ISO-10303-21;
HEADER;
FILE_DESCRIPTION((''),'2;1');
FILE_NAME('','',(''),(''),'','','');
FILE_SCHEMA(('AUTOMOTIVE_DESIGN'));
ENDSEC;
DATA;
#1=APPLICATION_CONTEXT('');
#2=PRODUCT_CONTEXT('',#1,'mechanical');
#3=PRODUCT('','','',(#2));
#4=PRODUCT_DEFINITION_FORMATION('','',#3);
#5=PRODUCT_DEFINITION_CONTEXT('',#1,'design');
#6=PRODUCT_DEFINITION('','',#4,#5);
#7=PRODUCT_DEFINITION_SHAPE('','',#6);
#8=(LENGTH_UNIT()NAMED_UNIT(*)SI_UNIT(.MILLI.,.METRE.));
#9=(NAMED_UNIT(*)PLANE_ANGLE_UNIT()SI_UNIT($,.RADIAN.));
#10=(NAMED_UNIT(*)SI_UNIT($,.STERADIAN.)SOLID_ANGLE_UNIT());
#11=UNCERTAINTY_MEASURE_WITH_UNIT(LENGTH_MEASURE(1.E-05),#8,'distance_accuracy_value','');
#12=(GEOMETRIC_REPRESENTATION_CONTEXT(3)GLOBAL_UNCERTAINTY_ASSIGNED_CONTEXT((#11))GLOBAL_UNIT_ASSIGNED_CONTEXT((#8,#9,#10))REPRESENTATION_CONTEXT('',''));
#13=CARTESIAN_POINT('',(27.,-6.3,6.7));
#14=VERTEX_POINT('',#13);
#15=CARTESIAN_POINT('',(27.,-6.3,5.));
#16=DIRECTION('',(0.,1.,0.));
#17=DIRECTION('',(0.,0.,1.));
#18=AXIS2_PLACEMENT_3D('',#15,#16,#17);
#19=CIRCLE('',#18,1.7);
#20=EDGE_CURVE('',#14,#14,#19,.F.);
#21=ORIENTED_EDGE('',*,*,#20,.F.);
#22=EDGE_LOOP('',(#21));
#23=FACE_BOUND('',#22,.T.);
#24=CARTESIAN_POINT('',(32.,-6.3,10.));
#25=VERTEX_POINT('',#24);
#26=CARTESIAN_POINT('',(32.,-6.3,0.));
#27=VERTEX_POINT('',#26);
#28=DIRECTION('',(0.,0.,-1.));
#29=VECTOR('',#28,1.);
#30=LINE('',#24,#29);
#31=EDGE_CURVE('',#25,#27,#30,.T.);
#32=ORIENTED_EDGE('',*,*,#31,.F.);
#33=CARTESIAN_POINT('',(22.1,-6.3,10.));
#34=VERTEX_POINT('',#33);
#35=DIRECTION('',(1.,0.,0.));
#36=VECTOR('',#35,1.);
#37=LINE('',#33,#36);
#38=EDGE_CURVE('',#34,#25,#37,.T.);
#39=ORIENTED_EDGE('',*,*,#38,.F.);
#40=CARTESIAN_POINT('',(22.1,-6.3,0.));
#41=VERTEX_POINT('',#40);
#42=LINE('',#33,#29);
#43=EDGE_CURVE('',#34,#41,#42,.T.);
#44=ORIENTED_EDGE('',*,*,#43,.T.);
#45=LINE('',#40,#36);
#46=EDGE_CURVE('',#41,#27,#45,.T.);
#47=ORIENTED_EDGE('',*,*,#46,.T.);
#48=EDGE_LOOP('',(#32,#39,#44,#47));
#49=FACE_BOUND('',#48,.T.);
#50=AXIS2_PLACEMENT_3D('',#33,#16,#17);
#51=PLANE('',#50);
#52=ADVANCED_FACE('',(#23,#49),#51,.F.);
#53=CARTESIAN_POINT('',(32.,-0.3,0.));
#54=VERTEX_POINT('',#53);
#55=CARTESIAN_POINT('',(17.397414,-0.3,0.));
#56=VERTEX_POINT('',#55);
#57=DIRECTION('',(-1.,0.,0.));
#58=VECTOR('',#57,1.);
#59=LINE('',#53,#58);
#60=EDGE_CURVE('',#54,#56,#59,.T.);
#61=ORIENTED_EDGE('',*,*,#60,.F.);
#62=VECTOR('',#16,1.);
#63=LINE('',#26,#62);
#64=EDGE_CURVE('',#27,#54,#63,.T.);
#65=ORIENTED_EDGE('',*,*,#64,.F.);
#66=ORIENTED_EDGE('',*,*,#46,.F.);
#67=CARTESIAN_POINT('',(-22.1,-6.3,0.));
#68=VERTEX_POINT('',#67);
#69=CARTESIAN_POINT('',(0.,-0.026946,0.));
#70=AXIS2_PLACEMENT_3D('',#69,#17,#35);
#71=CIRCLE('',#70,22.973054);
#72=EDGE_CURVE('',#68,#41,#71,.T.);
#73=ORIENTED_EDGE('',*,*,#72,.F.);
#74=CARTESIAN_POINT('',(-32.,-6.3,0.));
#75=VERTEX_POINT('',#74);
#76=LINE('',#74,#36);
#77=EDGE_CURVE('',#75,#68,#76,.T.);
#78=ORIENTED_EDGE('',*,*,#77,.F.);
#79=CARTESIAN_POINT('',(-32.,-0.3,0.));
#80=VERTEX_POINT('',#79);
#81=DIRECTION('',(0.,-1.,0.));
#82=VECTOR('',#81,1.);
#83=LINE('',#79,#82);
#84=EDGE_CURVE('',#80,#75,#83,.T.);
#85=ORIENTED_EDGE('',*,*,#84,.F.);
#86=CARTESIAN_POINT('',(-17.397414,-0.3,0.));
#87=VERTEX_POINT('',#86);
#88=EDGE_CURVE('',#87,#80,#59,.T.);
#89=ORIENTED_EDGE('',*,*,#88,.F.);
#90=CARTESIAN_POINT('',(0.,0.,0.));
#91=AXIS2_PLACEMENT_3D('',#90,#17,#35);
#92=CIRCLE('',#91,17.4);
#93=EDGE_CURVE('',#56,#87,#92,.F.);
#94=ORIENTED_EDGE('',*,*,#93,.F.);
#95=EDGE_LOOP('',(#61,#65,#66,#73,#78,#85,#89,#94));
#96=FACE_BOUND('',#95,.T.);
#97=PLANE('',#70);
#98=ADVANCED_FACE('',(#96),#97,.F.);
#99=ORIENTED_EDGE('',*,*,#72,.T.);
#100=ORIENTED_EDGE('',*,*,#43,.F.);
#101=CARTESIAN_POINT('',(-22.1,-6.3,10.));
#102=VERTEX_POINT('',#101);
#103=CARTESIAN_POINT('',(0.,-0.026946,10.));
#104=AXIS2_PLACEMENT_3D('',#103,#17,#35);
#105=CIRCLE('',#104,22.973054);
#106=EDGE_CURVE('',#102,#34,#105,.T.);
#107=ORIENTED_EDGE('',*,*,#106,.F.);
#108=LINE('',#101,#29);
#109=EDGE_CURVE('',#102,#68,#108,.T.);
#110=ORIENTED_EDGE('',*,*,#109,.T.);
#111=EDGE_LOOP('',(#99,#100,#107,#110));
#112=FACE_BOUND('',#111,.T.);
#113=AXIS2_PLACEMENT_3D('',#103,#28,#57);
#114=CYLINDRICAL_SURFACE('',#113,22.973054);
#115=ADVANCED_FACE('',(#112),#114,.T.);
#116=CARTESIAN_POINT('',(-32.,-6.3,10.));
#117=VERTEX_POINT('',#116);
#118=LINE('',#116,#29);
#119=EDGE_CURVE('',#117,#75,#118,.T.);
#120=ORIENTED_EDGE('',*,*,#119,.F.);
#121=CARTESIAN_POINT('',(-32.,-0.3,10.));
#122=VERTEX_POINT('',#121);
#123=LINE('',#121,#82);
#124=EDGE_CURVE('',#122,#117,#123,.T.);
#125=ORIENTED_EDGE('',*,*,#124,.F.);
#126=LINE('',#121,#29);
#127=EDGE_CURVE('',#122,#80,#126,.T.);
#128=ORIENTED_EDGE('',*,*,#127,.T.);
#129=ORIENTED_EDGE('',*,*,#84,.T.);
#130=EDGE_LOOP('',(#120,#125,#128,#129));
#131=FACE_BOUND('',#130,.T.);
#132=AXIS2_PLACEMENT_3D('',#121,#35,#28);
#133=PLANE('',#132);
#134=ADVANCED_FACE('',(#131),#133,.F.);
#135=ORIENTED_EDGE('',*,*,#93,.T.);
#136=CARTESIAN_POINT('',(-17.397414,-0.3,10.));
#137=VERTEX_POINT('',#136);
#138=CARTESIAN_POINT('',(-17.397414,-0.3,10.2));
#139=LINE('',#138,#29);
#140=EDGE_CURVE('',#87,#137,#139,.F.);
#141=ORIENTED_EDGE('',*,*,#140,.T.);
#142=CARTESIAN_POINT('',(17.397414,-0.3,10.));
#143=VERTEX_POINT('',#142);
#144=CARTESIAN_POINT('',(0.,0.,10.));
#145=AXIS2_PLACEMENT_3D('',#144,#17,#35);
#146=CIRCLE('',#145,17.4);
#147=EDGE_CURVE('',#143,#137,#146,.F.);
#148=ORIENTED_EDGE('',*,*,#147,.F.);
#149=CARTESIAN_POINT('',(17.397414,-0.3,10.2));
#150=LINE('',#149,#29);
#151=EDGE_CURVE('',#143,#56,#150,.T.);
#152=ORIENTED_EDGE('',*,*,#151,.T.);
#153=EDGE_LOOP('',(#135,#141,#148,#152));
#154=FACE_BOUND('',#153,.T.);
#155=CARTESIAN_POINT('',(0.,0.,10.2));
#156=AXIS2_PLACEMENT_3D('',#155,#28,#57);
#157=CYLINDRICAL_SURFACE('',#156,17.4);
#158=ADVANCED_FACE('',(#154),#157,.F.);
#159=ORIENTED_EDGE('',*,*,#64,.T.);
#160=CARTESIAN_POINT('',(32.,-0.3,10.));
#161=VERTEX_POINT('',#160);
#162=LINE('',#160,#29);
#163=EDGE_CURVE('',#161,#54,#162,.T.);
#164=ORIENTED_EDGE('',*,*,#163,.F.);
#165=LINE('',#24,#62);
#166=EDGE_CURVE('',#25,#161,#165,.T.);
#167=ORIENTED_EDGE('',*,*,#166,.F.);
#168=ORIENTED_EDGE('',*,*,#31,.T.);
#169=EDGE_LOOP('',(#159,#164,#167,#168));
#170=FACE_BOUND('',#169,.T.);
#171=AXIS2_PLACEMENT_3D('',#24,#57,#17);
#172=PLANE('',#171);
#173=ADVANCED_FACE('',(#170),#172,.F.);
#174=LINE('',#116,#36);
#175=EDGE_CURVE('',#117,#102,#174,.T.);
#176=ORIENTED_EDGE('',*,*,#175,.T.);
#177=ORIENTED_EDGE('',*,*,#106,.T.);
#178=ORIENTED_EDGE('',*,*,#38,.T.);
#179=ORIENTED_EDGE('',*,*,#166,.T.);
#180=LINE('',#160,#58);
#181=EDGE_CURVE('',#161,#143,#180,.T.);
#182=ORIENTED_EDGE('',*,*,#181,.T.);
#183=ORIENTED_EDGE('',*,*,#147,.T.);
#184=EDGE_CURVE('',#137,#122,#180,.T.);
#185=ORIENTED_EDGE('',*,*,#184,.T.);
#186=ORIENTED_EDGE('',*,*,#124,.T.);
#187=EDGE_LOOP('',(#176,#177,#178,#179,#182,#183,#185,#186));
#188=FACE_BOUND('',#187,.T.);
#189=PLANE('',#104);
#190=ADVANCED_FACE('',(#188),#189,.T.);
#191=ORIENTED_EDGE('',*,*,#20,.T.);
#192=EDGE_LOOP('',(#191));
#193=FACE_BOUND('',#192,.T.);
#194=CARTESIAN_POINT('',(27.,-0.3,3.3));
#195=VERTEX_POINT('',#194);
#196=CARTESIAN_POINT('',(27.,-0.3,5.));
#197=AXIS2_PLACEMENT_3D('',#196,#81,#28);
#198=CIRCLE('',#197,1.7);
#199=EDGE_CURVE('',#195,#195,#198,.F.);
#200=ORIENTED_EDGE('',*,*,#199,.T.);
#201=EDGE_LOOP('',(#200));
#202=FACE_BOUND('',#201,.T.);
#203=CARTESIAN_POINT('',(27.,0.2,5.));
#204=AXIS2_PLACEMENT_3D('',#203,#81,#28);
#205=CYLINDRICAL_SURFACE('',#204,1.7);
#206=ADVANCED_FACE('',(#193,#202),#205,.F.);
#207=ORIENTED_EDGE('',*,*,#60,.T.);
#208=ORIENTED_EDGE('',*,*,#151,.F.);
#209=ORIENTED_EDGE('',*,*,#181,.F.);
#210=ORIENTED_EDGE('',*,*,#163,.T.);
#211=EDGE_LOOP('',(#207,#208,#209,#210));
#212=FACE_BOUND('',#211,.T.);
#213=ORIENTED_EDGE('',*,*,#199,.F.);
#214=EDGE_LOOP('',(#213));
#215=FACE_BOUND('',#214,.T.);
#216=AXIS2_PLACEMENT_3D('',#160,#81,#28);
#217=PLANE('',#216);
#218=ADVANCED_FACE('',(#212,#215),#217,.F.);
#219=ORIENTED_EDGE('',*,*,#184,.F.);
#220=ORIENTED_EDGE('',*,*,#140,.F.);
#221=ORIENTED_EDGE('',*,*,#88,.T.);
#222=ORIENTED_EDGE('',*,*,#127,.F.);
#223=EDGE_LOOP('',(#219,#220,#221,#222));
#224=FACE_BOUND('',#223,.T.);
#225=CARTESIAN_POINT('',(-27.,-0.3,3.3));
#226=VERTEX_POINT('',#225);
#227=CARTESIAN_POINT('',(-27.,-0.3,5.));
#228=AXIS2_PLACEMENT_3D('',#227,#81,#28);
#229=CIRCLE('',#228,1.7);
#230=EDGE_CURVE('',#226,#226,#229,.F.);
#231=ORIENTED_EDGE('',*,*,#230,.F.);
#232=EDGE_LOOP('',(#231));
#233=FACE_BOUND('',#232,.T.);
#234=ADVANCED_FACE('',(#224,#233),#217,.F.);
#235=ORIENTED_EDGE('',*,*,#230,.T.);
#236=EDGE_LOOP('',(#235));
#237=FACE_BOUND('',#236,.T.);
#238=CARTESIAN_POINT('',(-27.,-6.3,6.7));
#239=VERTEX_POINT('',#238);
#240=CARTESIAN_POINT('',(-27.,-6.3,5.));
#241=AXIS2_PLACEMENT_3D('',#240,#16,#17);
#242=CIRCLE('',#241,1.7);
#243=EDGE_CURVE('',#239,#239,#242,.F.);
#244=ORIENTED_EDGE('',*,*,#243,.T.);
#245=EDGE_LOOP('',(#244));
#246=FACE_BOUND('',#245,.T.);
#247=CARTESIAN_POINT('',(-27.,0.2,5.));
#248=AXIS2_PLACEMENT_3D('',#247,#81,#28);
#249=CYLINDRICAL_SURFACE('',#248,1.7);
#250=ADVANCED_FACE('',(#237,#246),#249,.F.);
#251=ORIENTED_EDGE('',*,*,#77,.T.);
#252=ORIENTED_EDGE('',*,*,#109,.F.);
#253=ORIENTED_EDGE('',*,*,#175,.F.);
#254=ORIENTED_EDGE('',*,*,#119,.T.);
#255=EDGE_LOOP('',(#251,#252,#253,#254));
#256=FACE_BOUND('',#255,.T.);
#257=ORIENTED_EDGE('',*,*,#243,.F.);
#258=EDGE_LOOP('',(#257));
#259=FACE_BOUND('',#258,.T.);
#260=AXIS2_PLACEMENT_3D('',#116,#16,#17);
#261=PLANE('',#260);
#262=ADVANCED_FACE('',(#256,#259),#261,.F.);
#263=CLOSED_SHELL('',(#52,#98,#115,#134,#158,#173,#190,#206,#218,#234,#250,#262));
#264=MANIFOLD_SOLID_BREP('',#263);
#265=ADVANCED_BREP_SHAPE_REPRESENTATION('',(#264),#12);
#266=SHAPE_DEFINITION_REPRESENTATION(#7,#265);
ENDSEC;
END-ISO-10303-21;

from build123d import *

# Parameters (mm, degrees)
F_01_REAR_SEMICIRCULAR_CAP_AND_BOLT_EARS_DEPTH = 10
F_02_START                                     = -0.2
S02_MATING_MOTOR_CAN_R                         = 17.4
F_02_MATING_MOTOR_CAN_DEPTH                    = 10.4
F_03_START                                     = -6.5
S03_TWO_M3_CLAMP_SCREWS_R                      = 1.7
F_03_TWO_M3_CLAMP_SCREWS_DEPTH                 = 6.7


with BuildPart() as part:
    # S01 - Rear semicircular cap and bolt ears → 01 - Rear semicircular cap and bolt ears (new body)
    with BuildSketch(Plane.XY):
        with BuildLine():
            Line((-32, -0.3), (-32, -6.3))
            Line((-32, -6.3), (-22.1, -6.3))
            ThreePointArc((-22.1, -6.3), (0, -23), (22.1, -6.3))
            Line((22.1, -6.3), (32, -6.3))
            Line((32, -6.3), (32, -0.3))
            Line((32, -0.3), (-32, -0.3))
        make_face()
    extrude(amount=F_01_REAR_SEMICIRCULAR_CAP_AND_BOLT_EARS_DEPTH)

    # S02 - Mating motor can → 02 - Mating motor can (cut)
    with BuildSketch(Plane.XY.offset(F_02_START)):
        Circle(S02_MATING_MOTOR_CAN_R)
    extrude(amount=F_02_MATING_MOTOR_CAN_DEPTH, mode=Mode.SUBTRACT)

    # S03 - Two M3 clamp screws → 03 - Two M3 clamp screws (cut)
    with BuildSketch(Plane(origin=(0, 0, 0), x_dir=(1, 0, 0), z_dir=(0, 1, 0)).offset(F_03_START)):
        with Locations(Location((-27, -5, 0), (0, 0, 90))):
            Circle(S03_TWO_M3_CLAMP_SCREWS_R)
        with Locations(Location((27, -5, 0), (0, 0, 90))):
            Circle(S03_TWO_M3_CLAMP_SCREWS_R)
    extrude(amount=F_03_TWO_M3_CLAMP_SCREWS_DEPTH, mode=Mode.SUBTRACT)


solid = part.part
